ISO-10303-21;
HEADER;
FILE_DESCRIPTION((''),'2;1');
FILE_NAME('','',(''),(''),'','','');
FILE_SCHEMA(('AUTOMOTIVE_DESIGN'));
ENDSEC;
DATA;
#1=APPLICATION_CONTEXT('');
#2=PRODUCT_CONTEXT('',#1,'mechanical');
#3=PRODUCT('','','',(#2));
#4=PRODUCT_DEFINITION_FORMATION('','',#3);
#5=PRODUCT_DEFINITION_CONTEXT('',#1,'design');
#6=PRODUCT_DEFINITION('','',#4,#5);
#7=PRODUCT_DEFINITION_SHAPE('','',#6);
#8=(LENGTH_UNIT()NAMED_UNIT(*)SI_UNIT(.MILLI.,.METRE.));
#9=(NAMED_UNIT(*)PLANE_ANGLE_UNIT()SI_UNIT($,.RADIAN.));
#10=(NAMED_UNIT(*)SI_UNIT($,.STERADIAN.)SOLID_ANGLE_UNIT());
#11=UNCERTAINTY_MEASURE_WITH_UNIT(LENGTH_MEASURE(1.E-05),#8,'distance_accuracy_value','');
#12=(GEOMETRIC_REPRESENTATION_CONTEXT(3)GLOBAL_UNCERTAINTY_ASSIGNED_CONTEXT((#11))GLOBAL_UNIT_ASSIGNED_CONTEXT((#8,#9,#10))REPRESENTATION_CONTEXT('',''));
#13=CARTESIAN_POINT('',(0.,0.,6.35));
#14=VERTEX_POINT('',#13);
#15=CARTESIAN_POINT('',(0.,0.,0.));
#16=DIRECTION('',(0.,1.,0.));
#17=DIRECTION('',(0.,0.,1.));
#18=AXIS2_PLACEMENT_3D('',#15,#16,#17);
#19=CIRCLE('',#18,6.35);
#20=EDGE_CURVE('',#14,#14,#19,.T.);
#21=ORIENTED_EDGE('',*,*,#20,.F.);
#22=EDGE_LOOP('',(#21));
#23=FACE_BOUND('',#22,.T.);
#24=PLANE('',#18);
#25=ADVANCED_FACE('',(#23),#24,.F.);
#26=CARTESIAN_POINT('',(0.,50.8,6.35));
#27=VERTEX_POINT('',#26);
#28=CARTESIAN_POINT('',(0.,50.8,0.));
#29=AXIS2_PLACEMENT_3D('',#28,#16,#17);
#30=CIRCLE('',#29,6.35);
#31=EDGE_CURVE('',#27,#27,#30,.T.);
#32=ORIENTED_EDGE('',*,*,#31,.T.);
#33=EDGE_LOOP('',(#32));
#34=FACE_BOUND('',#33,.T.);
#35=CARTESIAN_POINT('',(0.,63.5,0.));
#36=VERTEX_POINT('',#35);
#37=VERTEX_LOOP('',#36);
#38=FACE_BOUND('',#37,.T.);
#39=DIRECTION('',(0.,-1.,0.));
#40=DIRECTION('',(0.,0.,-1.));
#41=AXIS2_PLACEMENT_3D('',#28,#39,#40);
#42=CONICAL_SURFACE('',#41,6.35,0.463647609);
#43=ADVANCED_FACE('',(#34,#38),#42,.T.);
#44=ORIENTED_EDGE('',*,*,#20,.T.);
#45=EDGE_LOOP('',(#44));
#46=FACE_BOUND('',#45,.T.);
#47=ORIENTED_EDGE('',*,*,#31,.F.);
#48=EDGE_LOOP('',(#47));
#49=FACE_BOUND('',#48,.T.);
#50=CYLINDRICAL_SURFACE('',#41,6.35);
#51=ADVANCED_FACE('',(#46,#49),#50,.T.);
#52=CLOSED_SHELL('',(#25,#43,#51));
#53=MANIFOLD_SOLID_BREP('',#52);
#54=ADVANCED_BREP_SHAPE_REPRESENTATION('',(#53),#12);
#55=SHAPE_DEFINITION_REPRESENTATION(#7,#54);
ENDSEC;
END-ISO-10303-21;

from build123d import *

# Parameters (mm, degrees)
SKETCH1_R           = 6.35
BOSS_EXTRUDE1_DEPTH = 50.8


with BuildPart() as part:
    # Sketch1 → Boss-Extrude1 (new body)
    with BuildSketch(Plane(origin=(0, 0, 0), x_dir=(1, 0, 0), z_dir=(0, 1, 0))):
        Circle(SKETCH1_R)
    extrude(amount=BOSS_EXTRUDE1_DEPTH)

    # Sketch4 → Revolve2 (revolve)
    with BuildSketch(Plane.XY):
        Polygon((0, 50.8), (0, 63.5), (6.35, 50.8), align=None)
    revolve(axis=Axis((0, 50.8, 0), (0, 1, 0)))


solid = part.part
